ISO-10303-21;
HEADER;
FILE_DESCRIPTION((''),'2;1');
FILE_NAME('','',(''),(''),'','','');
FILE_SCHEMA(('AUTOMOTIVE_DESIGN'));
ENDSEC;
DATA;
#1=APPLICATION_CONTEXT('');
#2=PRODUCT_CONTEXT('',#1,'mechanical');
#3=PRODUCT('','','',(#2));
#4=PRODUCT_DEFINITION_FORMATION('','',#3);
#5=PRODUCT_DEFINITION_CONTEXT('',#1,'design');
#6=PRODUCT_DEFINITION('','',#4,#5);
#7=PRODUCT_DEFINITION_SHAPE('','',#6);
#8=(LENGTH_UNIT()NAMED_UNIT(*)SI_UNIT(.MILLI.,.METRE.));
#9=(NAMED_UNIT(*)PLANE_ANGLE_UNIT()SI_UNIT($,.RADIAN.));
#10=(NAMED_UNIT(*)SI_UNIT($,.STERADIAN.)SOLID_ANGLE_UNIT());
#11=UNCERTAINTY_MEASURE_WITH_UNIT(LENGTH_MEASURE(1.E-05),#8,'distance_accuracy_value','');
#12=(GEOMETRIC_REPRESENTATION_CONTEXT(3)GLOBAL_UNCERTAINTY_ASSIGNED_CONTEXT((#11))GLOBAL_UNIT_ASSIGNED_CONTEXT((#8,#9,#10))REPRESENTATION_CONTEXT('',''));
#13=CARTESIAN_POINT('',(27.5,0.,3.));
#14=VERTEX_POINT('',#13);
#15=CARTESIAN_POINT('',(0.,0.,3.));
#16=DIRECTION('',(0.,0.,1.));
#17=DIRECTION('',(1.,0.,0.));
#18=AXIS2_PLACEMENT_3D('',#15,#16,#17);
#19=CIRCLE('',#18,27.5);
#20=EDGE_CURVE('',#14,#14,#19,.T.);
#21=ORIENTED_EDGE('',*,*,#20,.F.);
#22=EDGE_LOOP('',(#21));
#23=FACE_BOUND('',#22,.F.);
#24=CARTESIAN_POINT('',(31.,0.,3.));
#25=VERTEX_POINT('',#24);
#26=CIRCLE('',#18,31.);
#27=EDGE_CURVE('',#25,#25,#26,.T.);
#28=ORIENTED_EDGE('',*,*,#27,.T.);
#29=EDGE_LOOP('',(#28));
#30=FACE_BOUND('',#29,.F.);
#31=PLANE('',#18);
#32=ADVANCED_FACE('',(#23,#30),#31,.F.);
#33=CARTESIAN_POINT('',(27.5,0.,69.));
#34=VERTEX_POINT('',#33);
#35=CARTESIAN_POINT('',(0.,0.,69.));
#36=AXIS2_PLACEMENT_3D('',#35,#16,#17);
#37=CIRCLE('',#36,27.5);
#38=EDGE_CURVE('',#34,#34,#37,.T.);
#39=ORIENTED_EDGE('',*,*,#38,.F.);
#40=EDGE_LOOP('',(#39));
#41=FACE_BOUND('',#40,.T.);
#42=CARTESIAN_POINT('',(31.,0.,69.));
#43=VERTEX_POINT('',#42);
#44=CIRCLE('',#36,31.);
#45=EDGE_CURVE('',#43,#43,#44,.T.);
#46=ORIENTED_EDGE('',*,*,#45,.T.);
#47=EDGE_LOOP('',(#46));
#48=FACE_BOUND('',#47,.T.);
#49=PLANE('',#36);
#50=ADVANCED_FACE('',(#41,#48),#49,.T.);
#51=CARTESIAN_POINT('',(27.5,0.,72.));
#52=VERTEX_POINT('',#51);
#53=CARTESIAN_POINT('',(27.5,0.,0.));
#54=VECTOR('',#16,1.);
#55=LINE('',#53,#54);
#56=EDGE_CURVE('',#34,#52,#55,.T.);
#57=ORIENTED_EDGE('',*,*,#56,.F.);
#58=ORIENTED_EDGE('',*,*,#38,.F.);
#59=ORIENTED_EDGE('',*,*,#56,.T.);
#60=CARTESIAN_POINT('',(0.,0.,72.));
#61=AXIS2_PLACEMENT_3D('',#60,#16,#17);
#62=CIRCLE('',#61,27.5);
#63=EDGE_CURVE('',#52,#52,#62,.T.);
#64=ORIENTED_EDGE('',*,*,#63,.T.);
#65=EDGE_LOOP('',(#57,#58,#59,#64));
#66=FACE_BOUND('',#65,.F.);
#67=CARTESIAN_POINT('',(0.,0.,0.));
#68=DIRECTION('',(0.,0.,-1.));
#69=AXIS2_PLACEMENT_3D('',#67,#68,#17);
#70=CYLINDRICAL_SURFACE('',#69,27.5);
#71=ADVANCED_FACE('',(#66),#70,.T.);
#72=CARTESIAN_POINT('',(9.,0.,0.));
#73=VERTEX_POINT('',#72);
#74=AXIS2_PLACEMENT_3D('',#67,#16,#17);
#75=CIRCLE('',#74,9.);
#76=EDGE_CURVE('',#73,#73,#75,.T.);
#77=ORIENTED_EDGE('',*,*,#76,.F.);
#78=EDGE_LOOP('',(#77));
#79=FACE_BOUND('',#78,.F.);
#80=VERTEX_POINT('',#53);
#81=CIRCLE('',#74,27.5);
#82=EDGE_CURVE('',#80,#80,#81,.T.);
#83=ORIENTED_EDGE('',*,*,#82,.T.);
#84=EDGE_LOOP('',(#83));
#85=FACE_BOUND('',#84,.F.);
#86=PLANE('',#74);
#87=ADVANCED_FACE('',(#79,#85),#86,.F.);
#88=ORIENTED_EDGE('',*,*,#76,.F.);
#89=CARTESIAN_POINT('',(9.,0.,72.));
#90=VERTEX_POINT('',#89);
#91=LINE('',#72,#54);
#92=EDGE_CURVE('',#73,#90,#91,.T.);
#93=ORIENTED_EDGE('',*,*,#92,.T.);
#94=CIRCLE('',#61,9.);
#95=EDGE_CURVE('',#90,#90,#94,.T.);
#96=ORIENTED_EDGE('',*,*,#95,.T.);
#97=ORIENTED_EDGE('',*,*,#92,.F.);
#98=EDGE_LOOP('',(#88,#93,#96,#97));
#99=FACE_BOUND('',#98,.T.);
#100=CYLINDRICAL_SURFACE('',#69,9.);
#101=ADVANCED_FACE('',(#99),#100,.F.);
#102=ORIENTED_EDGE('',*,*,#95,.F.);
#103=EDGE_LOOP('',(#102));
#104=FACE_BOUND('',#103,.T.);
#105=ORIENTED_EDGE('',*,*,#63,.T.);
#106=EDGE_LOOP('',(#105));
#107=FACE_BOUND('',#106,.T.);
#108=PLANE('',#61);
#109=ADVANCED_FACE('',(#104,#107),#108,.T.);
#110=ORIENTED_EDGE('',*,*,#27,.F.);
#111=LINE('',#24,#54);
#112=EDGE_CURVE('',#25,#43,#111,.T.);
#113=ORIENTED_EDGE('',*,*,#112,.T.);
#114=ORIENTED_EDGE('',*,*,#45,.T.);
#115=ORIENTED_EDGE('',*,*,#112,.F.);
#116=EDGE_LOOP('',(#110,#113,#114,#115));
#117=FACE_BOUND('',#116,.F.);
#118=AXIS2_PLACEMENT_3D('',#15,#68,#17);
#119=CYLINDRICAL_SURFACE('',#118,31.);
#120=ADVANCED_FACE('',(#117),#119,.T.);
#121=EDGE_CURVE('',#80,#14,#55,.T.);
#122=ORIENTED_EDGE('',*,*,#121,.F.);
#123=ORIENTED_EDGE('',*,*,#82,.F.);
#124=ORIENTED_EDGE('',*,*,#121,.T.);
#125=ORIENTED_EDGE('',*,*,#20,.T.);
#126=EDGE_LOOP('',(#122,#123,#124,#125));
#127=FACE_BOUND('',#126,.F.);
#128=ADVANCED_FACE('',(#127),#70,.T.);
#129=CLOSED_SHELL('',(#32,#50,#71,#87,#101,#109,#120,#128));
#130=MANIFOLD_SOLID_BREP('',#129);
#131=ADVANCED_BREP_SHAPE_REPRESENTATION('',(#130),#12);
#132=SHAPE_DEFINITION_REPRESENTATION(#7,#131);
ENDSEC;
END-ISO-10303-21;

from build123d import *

# Parameters (mm, degrees)
F1_START = 3
F0_R     = 31
F0_R_2   = 27.5
F1_DEPTH = 66
F0_R_3   = 9
F2_DEPTH = 72


with BuildPart() as f1:
    # F0 (on Top) → F1 (new body)
    with BuildSketch(Plane.XY.offset(F1_START)):
        Circle(F0_R)
        Circle(F0_R_2, mode=Mode.SUBTRACT)
    extrude(amount=F1_DEPTH)

    # F0 (on Top) → F2 (join)
    with BuildSketch(Plane.XY):
        Circle(F0_R_2)
        Circle(F0_R_3, mode=Mode.SUBTRACT)
    extrude(amount=F2_DEPTH)


solid = f1.part
